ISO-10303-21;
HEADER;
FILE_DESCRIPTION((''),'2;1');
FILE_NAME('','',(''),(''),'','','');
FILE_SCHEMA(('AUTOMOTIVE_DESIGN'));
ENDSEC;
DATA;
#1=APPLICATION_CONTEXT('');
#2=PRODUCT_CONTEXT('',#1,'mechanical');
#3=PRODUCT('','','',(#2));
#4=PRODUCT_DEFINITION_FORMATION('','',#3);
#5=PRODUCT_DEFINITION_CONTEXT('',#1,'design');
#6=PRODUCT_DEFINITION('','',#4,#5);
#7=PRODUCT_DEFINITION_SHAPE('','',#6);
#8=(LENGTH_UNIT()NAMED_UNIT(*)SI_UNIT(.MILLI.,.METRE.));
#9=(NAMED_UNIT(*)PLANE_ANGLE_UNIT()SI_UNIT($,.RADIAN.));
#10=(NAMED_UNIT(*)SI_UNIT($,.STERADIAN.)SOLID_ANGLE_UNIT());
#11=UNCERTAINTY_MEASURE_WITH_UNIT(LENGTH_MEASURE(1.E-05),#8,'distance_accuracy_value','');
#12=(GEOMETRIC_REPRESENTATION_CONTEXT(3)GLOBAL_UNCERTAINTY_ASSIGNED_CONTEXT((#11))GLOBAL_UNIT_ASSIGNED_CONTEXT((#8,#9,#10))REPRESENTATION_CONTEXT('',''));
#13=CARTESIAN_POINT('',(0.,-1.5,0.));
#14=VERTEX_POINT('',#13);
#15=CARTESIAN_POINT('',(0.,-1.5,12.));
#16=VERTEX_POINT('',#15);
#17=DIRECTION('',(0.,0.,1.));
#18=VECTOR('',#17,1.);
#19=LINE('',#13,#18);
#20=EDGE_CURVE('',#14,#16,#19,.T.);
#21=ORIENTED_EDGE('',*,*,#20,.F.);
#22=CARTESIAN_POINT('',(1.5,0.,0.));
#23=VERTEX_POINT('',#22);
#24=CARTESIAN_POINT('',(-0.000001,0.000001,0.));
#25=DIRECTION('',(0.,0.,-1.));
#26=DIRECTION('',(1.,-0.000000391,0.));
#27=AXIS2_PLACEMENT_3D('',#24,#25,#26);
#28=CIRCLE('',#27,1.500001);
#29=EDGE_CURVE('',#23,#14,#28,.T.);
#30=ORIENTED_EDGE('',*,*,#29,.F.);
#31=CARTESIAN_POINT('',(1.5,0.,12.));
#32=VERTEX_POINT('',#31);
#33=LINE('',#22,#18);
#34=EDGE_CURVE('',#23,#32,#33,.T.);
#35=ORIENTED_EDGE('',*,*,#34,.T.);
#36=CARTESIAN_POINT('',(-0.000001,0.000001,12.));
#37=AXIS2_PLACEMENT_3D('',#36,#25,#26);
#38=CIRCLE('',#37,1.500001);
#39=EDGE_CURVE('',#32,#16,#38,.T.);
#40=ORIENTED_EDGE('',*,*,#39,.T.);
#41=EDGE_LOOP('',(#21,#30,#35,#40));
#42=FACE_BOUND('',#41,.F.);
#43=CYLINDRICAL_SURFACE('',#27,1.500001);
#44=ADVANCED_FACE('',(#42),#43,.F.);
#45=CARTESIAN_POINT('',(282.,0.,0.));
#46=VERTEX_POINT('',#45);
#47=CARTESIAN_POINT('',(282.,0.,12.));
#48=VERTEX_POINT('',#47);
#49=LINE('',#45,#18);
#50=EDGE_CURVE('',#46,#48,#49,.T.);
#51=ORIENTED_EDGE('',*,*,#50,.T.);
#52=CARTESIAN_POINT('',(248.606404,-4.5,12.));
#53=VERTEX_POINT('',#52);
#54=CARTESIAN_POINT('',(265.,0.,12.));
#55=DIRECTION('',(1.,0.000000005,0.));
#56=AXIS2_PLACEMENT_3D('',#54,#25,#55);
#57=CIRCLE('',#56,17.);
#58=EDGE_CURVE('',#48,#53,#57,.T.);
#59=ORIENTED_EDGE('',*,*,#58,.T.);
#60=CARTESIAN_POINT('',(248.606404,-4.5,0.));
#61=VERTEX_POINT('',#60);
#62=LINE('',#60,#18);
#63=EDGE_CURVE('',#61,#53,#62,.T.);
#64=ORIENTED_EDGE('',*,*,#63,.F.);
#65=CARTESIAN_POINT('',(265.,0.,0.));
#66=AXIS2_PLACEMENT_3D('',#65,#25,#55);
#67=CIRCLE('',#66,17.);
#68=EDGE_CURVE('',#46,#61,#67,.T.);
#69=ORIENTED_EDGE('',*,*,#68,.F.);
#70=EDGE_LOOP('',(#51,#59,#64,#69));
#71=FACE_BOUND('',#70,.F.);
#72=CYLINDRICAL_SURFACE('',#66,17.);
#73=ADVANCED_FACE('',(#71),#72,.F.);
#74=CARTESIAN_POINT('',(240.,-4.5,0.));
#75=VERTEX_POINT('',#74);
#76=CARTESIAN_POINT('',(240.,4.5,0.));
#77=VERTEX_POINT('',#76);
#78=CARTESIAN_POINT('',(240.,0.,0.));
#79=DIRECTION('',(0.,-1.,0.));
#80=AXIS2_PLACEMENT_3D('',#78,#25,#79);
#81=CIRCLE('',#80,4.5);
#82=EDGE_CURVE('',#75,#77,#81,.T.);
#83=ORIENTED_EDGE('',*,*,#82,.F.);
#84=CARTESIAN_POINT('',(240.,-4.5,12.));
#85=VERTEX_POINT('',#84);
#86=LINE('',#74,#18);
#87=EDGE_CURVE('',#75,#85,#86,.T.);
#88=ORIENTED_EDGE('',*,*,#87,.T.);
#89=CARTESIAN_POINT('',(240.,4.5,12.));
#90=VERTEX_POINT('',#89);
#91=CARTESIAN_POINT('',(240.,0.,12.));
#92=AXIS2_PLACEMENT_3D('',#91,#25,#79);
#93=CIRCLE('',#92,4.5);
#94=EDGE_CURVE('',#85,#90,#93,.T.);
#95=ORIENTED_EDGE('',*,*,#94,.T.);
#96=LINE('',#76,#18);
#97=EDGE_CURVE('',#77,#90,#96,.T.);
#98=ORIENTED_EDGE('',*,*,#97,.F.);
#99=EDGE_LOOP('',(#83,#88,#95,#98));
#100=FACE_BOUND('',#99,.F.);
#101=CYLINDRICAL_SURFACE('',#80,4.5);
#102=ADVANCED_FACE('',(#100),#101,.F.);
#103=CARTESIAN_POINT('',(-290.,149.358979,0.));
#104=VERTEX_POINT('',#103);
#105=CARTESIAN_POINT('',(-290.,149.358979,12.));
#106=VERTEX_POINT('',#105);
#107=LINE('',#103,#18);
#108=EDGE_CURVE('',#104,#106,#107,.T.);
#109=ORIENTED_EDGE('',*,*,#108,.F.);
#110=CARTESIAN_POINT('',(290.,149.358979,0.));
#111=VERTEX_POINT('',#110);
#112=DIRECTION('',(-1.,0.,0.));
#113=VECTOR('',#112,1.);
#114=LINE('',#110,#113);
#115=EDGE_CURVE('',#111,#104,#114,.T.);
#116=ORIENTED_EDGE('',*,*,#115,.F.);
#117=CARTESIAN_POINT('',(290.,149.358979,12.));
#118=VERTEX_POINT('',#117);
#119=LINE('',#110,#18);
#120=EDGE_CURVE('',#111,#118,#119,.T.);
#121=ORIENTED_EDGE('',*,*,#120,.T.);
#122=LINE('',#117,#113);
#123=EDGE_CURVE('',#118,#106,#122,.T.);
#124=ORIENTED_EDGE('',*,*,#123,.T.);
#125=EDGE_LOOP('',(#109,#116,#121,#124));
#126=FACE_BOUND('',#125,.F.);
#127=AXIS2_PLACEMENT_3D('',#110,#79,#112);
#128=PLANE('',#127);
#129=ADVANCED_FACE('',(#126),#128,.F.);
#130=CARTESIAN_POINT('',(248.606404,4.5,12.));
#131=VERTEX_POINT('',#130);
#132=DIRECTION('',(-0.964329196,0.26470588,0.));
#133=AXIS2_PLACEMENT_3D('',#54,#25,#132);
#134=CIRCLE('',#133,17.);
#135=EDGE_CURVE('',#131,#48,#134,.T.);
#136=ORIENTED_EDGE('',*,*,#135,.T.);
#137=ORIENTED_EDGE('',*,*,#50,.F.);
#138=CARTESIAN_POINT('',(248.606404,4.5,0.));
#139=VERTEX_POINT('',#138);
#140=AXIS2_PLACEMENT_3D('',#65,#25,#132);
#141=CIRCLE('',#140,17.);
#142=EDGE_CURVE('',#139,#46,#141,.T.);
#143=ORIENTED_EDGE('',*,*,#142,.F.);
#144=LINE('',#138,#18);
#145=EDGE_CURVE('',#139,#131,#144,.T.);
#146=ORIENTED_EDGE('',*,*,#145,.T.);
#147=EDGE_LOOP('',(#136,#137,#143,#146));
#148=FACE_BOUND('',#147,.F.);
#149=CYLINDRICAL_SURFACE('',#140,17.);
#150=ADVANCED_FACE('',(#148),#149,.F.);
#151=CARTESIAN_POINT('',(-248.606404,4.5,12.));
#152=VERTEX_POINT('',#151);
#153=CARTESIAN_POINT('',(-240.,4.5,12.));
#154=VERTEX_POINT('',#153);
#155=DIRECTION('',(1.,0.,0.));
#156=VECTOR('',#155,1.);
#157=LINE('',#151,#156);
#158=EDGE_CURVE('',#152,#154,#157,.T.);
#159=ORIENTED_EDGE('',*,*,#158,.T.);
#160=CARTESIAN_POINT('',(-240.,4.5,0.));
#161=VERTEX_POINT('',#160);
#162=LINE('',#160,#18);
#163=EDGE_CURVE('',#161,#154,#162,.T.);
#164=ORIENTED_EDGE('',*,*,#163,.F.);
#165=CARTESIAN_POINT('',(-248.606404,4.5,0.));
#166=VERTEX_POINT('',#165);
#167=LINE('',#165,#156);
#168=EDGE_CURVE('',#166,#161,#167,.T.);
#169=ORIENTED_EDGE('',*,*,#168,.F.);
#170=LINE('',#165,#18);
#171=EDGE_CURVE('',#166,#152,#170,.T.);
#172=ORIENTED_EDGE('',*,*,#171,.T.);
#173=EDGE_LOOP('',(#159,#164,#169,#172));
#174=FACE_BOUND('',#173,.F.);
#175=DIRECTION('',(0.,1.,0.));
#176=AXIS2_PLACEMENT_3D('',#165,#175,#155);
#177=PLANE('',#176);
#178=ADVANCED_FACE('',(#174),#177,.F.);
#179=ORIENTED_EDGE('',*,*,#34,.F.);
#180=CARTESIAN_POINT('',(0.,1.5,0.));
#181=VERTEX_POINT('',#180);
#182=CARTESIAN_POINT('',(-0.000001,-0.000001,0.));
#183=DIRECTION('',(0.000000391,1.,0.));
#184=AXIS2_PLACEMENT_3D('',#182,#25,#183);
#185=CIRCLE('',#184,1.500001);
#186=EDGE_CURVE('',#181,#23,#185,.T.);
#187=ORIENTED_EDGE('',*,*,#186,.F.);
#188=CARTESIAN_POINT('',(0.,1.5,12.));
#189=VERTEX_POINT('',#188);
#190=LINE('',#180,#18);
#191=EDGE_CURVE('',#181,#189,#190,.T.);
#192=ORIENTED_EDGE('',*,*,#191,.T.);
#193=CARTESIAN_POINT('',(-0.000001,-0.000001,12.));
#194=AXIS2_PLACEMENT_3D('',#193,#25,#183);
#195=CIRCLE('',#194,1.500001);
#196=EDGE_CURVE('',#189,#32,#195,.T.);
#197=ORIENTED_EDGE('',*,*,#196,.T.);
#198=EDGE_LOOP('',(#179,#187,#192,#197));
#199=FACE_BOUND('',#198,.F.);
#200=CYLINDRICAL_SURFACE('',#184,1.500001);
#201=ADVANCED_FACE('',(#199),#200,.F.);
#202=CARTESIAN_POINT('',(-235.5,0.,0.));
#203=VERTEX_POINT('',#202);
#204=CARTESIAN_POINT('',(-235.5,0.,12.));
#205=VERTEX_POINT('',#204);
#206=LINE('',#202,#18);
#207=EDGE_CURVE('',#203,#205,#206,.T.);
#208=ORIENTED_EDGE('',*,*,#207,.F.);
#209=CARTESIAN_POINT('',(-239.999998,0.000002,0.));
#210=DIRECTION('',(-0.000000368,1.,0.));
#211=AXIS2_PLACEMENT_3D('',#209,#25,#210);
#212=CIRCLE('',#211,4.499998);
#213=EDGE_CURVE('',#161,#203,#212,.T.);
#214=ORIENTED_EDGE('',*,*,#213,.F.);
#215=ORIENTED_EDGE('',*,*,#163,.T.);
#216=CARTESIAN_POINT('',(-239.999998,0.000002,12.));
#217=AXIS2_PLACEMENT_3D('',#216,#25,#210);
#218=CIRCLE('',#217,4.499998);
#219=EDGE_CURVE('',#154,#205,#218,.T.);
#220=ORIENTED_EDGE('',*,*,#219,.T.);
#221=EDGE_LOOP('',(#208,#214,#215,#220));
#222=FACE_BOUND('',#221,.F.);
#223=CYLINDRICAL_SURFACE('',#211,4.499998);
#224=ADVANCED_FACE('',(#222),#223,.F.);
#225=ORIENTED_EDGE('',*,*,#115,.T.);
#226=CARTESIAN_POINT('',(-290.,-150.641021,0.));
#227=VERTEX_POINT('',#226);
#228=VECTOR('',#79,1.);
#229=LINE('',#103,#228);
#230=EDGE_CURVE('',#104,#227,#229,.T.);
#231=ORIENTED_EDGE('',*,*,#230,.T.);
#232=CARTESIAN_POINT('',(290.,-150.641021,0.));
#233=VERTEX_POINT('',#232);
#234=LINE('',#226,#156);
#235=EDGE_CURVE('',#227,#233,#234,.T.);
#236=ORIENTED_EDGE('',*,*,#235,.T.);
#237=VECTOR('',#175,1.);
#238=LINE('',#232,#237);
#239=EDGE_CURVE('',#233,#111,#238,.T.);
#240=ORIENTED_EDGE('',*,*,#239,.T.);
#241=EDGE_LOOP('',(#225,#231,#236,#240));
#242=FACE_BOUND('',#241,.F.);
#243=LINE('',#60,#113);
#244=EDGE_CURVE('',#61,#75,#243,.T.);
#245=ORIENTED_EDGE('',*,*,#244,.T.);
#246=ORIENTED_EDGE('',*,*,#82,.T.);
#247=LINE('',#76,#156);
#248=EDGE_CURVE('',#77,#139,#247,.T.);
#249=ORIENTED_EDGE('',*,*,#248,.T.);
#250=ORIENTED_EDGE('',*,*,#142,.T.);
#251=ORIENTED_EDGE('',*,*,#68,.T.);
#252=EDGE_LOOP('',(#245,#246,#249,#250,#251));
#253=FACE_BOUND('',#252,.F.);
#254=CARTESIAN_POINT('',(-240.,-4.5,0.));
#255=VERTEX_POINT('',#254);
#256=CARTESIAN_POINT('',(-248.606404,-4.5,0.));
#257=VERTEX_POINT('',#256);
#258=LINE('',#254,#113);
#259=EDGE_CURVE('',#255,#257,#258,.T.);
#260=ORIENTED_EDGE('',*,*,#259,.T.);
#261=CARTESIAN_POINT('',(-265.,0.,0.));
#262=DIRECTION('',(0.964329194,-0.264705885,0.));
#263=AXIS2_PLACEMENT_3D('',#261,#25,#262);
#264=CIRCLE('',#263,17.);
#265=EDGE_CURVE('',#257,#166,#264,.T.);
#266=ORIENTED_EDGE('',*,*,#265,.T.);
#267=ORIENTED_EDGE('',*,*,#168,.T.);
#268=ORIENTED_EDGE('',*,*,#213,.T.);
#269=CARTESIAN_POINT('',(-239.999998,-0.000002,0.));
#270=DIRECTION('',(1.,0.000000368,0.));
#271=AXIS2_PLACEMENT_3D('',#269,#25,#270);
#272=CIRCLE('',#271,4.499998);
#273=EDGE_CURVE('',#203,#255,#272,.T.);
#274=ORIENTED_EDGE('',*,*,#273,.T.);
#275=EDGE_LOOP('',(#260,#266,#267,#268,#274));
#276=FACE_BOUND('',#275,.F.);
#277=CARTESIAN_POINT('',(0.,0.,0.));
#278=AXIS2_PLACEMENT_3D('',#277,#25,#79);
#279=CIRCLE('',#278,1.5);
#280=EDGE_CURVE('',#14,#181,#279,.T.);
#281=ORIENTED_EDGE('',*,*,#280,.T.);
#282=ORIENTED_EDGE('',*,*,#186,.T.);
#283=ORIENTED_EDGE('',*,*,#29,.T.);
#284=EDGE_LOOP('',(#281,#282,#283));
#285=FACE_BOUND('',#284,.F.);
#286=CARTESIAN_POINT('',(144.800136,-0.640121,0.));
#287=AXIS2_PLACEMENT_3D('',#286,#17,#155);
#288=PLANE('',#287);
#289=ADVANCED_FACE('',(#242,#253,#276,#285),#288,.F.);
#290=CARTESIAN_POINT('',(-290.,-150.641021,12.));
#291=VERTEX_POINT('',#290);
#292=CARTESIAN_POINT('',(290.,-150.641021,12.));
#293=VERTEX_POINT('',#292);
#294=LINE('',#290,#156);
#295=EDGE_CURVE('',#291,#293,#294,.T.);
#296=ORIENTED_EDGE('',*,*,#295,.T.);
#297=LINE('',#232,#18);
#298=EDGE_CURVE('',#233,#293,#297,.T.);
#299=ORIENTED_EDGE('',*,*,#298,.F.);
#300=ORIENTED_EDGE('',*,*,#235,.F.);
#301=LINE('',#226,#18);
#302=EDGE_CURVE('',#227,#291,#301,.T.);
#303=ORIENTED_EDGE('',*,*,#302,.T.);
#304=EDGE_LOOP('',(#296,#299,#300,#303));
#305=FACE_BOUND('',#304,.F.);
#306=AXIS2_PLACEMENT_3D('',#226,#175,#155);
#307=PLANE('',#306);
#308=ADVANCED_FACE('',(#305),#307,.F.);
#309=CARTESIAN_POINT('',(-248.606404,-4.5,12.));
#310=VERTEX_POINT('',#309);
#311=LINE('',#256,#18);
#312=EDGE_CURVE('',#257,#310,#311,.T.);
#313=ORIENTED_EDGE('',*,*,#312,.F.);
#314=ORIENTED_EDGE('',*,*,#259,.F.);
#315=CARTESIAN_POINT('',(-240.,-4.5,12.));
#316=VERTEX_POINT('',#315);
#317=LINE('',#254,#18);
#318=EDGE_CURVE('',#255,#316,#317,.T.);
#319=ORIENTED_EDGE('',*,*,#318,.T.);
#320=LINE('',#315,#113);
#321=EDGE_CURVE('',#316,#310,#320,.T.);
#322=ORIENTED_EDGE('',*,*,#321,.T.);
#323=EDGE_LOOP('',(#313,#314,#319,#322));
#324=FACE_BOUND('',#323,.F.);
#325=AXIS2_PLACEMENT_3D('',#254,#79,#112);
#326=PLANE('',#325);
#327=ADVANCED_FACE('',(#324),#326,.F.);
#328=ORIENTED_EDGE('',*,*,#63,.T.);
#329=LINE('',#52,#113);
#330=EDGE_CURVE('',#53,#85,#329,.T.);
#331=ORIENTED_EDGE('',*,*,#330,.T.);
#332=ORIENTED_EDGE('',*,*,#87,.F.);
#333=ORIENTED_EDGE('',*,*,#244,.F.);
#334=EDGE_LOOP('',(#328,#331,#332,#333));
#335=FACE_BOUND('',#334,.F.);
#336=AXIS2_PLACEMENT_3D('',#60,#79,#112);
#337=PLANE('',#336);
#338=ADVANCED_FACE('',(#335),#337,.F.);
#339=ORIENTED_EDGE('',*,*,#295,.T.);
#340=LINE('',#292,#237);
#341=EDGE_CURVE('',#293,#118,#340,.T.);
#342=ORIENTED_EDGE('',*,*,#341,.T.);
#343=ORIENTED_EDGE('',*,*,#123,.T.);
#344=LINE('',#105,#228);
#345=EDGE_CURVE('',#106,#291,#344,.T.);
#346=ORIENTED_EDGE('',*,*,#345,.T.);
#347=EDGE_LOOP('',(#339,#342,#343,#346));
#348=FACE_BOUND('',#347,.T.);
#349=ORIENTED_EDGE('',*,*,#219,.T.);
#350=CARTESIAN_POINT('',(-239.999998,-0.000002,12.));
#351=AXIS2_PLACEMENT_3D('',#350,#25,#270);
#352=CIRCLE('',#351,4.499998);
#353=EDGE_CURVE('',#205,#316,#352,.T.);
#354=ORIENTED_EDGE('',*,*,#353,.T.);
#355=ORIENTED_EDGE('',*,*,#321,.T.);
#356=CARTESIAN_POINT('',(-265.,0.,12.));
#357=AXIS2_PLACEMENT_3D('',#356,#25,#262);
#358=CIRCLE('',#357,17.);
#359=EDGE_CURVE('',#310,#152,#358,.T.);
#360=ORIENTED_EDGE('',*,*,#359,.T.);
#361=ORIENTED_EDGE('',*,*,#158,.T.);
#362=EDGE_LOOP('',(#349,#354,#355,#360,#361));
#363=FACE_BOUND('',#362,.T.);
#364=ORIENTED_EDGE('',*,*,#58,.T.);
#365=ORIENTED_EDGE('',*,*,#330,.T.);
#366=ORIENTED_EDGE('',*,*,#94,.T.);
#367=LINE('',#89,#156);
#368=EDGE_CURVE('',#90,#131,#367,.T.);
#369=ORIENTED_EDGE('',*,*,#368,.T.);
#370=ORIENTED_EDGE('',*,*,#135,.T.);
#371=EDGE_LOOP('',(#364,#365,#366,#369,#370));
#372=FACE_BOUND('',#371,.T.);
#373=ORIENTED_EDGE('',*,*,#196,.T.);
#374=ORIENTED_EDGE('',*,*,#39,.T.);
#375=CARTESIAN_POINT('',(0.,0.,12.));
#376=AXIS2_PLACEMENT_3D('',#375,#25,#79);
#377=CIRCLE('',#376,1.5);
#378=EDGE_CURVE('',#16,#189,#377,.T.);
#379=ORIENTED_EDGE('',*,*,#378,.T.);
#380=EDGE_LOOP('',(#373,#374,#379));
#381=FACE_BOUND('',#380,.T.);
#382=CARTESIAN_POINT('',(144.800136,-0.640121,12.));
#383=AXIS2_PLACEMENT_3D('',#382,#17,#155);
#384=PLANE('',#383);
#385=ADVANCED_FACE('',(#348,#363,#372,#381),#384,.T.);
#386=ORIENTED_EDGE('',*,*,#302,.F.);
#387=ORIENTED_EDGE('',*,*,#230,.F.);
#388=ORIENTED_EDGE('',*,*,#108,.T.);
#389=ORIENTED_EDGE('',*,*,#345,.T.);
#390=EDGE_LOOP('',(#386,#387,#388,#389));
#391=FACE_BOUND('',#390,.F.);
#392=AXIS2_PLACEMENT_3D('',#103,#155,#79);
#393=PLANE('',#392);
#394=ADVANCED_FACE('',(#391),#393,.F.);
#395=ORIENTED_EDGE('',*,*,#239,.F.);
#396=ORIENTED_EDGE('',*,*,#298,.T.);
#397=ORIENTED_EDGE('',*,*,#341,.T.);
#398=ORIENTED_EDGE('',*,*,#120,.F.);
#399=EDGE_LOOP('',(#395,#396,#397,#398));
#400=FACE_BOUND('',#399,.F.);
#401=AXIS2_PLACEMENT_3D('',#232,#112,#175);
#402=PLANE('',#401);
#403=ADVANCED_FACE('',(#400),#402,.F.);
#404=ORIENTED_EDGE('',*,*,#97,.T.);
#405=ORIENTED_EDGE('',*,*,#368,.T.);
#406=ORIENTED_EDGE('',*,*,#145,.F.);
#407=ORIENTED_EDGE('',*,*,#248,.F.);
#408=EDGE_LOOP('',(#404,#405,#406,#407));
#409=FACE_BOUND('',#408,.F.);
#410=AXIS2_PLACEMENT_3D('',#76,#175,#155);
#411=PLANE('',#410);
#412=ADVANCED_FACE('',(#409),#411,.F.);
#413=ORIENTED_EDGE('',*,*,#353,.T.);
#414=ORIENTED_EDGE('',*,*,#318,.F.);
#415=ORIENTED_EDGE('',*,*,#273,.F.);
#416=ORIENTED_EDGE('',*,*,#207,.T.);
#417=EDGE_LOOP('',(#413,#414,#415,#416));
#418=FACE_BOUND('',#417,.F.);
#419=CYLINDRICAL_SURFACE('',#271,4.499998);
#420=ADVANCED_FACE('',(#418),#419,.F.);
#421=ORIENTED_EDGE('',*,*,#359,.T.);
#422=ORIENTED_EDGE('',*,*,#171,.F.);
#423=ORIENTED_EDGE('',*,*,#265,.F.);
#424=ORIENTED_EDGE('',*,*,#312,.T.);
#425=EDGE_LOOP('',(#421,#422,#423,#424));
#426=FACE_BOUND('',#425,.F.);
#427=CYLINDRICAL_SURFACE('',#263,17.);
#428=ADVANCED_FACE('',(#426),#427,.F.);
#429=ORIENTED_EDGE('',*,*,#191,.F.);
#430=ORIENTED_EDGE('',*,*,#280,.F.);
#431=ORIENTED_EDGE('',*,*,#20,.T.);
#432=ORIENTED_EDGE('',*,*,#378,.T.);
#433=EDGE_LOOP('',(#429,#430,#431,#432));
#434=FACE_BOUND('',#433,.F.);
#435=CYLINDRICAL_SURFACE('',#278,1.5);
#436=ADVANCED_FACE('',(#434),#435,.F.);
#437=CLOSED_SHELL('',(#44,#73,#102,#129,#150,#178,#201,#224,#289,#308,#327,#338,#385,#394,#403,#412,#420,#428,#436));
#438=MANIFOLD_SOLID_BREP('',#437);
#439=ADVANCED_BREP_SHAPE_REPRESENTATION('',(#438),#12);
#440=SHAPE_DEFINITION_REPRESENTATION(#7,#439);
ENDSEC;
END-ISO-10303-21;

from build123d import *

# Parameters (mm, degrees)
F1_DEPTH = 12


with BuildPart() as f1:
    # F0 (on Top) → F1 (new body)
    with BuildSketch(Plane.XY):
        with BuildLine():
            Line((290, 149.358979), (0, 149.358979))
            Line((0, 149.358979), (0, 1.5))
            ThreePointArc((0, 1.5), (1.06066, 1.06066), (1.5, 0))
            ThreePointArc((1.5, 0), (1.06066, -1.06066), (0, -1.5))
            Line((0, -1.5), (0, -150.641021))
            Line((0, -150.641021), (290, -150.641021))
            Line((290, -150.641021), (290, 149.358979))
        make_face()
        with BuildLine():
            ThreePointArc((240, -4.5), (235.5, 0), (240, 4.5))
            Line((240, 4.5), (248.606404, 4.5))
            ThreePointArc((248.606404, 4.5), (267.270337, 16.847717), (282, 0))
            ThreePointArc((282, 0), (267.270337, -16.847717), (248.606404, -4.5))
            Line((248.606404, -4.5), (240, -4.5))
        make_face(mode=Mode.SUBTRACT)
        with BuildLine():
            Line((0, 1.5), (0, 149.358979))
            Line((0, 149.358979), (-290, 149.358979))
            Line((-290, 149.358979), (-290, -150.641021))
            Line((-290, -150.641021), (0, -150.641021))
            Line((0, -150.641021), (0, -1.5))
            ThreePointArc((0, -1.5), (-1.5, 0), (0, 1.5))
        make_face()
        with BuildLine():
            ThreePointArc((-240, 4.5), (-236.818019, 3.181981), (-235.5, 0))
            ThreePointArc((-235.5, 0), (-236.818019, -3.181981), (-240, -4.5))
            Line((-240, -4.5), (-248.606404, -4.5))
            ThreePointArc((-248.606404, -4.5), (-282, 0), (-248.606404, 4.5))
            Line((-248.606404, 4.5), (-240, 4.5))
        make_face(mode=Mode.SUBTRACT)
    extrude(amount=F1_DEPTH)


solid = f1.part
